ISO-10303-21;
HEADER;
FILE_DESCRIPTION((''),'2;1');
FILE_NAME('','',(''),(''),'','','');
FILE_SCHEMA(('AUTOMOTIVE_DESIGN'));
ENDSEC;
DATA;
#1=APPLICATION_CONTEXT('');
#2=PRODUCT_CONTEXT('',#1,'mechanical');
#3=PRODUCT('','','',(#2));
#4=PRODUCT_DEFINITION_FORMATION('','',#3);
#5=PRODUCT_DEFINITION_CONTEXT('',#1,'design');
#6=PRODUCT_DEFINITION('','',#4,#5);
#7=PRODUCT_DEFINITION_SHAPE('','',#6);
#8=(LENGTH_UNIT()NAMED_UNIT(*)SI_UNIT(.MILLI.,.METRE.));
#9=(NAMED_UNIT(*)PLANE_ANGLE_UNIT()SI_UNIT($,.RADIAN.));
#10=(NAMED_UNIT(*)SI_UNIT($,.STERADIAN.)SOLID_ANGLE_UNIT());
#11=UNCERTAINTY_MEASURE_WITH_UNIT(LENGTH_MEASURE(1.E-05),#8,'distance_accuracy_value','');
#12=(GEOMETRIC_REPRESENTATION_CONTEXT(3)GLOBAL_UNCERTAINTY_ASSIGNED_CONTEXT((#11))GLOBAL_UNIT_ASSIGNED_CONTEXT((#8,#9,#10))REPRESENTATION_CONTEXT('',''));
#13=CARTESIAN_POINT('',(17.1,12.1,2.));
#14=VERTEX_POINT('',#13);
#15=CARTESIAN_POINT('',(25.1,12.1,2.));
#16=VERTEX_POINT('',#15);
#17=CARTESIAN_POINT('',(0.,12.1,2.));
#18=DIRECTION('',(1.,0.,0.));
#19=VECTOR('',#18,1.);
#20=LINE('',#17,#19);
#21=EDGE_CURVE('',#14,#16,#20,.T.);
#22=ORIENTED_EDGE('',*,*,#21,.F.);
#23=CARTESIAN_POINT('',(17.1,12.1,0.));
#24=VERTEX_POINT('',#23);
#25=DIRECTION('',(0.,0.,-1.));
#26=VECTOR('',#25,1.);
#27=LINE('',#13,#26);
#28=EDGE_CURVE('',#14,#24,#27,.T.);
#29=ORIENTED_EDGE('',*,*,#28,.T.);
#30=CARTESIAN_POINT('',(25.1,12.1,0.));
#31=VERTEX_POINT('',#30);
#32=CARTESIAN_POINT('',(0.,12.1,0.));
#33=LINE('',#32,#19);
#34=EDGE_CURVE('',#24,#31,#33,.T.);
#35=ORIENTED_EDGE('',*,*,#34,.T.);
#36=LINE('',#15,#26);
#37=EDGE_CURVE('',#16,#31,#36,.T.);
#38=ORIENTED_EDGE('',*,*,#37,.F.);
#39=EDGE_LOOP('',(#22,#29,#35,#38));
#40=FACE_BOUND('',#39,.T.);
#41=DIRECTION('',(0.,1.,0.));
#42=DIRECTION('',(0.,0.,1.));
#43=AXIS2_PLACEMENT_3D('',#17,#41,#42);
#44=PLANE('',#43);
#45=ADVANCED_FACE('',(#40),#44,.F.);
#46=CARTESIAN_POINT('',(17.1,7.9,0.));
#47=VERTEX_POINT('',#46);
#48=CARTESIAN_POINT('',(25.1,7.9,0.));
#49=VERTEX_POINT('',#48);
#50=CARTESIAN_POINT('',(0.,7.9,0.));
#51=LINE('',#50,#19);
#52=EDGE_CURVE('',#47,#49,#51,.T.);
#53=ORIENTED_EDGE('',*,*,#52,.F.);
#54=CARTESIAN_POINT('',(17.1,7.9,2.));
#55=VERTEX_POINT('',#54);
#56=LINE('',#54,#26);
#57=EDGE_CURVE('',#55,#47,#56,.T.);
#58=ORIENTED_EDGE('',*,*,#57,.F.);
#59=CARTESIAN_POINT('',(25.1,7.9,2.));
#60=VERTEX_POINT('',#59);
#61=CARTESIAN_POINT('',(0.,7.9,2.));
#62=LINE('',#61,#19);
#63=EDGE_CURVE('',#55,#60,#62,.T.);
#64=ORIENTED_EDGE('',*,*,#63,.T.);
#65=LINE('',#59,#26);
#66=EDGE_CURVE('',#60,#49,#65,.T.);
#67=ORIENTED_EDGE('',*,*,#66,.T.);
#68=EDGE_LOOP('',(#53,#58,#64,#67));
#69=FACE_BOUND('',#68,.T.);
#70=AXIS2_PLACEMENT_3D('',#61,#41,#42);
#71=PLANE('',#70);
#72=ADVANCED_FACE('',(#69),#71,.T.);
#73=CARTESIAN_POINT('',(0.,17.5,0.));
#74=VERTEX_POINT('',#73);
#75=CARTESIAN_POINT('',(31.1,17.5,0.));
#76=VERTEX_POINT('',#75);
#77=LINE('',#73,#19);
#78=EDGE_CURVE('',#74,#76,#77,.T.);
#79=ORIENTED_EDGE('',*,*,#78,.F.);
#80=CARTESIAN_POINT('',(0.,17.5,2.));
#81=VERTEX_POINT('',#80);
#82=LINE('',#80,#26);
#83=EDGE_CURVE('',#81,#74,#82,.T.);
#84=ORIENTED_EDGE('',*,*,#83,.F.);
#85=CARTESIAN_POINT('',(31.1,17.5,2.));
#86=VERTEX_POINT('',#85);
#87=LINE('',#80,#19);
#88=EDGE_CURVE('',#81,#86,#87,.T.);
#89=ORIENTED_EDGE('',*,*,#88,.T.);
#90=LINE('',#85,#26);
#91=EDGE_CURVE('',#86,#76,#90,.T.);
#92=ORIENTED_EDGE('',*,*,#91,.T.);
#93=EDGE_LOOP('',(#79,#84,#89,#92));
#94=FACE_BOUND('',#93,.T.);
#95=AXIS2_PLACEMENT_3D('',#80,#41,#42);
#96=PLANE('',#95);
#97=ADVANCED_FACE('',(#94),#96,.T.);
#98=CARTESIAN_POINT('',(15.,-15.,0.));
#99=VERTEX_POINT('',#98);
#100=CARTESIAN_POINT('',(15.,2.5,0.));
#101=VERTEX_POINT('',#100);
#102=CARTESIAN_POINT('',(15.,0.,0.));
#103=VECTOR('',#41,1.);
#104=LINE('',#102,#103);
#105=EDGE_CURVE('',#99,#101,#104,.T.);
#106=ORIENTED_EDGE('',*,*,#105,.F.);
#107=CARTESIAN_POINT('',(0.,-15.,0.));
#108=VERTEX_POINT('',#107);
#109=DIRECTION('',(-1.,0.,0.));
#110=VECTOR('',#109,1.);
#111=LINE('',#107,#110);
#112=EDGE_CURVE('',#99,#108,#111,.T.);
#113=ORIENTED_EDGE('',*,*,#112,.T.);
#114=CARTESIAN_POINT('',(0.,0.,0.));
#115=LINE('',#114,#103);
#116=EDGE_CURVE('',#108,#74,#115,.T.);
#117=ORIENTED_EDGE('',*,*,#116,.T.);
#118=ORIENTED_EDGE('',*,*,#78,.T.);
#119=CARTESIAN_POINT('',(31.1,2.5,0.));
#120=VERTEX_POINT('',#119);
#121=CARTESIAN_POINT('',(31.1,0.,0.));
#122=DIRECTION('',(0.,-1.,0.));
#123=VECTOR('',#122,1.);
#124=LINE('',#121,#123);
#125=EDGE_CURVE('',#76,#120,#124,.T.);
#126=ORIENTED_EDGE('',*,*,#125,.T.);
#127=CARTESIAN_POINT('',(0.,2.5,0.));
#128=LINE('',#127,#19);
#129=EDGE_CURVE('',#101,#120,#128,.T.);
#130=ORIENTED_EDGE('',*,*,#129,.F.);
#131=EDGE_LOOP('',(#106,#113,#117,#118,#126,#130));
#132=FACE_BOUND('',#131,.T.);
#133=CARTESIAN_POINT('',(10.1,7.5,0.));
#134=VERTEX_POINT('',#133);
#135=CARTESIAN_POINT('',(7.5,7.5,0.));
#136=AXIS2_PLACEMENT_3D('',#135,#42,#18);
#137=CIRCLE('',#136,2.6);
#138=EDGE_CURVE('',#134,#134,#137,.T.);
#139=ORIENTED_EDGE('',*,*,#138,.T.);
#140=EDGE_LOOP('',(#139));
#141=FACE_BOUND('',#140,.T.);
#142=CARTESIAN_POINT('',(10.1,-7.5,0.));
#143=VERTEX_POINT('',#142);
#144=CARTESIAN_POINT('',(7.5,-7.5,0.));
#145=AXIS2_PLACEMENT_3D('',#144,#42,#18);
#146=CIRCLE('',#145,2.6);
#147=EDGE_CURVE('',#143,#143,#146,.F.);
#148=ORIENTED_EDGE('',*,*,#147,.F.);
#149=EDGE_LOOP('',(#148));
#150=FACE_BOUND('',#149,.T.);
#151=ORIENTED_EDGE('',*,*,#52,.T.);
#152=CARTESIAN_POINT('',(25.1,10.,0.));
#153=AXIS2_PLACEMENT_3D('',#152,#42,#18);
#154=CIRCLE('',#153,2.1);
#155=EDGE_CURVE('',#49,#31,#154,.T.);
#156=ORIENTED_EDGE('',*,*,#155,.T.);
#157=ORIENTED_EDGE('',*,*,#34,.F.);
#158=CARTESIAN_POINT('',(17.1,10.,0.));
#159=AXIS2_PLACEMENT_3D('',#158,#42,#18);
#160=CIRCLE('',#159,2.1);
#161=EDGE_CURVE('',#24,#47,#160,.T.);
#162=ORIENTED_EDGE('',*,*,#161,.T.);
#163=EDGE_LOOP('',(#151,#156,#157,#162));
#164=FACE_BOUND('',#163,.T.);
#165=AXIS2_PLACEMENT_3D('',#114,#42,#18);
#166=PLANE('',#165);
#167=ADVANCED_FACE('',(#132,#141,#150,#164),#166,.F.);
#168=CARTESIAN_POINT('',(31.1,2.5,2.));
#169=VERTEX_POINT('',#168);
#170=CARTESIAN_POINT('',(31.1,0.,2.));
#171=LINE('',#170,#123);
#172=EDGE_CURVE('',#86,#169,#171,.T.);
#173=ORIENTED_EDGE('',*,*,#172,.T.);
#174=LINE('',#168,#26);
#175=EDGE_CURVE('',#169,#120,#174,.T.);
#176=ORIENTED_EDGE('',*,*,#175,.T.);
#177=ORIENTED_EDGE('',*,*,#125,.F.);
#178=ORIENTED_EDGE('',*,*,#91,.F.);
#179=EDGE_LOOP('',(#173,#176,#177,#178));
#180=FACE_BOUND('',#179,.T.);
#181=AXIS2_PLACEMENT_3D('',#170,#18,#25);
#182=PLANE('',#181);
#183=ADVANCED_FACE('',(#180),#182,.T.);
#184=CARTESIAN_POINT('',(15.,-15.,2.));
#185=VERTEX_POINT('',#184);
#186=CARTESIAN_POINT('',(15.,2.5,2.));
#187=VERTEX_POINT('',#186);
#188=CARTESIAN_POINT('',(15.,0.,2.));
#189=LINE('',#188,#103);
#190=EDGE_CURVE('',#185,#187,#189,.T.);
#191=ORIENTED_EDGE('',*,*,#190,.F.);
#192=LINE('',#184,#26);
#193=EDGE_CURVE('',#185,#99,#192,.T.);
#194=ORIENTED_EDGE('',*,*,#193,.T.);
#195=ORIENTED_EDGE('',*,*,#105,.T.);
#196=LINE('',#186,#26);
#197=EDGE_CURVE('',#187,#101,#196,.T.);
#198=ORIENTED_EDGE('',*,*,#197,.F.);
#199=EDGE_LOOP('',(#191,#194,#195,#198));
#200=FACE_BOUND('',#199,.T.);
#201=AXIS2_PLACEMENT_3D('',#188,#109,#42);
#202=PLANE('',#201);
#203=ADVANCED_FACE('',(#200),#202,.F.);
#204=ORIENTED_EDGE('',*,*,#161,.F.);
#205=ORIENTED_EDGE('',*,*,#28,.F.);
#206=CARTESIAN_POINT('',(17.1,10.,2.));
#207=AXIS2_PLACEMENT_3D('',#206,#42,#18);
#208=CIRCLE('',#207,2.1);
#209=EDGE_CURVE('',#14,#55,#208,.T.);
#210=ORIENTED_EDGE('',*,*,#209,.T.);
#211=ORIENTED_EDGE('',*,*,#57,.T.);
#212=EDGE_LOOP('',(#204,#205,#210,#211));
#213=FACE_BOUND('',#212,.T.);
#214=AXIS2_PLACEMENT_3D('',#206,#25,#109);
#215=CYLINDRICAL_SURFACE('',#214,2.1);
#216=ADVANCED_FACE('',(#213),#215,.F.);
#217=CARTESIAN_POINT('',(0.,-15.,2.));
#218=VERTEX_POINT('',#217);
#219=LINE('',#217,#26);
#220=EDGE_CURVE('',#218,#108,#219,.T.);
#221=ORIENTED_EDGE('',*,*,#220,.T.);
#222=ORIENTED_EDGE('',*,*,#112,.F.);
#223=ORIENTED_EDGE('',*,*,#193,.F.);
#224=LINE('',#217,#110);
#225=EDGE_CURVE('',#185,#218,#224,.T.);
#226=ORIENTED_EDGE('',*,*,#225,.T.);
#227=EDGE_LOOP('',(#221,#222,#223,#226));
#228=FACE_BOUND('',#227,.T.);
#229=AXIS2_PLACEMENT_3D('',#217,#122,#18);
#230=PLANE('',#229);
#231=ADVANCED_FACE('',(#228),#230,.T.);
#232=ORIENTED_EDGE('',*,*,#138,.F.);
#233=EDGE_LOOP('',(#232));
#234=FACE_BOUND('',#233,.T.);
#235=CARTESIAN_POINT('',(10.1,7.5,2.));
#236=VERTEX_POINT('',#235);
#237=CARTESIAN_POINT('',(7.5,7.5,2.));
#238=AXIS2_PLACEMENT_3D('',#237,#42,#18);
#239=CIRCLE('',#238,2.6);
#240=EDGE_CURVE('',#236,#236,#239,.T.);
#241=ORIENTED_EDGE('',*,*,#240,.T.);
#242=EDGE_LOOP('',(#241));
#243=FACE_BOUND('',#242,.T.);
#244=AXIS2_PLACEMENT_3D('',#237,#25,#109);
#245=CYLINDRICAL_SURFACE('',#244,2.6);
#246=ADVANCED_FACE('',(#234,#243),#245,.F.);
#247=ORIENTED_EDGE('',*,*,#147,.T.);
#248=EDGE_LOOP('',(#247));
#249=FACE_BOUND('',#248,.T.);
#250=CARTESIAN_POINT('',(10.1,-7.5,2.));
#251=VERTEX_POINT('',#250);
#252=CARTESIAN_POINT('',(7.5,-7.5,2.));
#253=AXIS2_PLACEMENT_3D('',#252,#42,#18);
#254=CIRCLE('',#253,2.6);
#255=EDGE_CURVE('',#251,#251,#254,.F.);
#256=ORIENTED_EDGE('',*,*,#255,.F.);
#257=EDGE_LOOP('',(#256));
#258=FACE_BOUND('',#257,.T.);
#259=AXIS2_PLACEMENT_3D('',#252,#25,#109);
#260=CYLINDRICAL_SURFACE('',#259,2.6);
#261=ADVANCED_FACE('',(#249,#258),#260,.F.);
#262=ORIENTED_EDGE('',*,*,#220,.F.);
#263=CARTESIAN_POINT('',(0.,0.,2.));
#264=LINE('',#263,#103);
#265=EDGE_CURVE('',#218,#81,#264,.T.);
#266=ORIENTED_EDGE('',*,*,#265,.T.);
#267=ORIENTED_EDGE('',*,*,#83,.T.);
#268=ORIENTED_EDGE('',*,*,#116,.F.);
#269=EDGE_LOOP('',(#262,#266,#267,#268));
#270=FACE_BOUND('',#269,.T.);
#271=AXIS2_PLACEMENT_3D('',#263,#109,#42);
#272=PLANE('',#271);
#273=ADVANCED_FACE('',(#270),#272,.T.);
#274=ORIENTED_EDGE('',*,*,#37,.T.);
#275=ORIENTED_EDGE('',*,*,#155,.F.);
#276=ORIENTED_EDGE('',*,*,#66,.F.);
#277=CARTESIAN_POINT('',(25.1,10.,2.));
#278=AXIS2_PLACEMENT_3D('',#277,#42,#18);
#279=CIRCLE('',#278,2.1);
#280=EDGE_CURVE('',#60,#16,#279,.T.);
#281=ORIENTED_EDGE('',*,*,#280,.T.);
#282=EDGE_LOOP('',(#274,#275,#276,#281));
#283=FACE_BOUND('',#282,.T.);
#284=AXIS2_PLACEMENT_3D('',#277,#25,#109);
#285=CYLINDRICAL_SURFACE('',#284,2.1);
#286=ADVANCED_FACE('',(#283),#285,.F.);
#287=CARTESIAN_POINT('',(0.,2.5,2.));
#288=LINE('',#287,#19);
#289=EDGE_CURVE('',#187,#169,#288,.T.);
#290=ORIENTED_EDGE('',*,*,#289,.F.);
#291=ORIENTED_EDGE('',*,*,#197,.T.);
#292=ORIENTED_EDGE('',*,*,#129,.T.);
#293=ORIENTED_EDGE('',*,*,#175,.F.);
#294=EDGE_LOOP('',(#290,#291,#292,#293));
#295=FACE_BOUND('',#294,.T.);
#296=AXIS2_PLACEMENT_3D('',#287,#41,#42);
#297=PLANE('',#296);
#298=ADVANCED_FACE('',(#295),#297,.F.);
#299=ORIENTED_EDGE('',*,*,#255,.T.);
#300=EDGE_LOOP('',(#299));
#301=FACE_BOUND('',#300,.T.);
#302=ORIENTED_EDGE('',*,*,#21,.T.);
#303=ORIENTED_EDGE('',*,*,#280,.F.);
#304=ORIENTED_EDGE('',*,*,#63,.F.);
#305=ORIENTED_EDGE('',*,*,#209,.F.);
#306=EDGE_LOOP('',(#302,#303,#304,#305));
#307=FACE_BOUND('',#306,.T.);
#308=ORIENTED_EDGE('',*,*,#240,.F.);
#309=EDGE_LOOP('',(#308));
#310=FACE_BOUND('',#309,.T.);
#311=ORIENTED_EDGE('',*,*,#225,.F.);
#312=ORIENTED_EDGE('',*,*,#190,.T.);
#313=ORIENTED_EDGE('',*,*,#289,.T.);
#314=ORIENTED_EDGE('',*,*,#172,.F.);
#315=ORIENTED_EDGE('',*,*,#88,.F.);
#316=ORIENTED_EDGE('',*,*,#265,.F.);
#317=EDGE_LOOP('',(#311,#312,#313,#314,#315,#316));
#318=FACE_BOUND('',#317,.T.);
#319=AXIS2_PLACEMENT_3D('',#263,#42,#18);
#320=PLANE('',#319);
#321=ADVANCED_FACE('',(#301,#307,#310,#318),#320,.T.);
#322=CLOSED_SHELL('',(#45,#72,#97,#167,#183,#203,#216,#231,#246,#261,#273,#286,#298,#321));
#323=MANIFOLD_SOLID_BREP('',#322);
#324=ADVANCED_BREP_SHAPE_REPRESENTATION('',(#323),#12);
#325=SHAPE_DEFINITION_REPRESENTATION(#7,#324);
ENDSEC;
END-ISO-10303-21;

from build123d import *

# Parameters (mm, degrees)
SKETCH_1_R      = 2.6
SKETCH_1_W      = 15
SKETCH_1_H      = 15
EXTRUDE_1_DEPTH = 2


with BuildPart() as part:
    # 草图1 → 凸台-拉伸1 (new body)
    # profile 1 of 2: a face of its own
    with BuildSketch(Plane.XY):
        Polygon((0, 17.5), (0, 0), (15, 0), (15, 2.5), (31.1, 2.5), (31.1, 17.5), align=None)
        with Locations((7.5, 7.5)):
            Circle(SKETCH_1_R, mode=Mode.SUBTRACT)
        with BuildLine():
            ThreePointArc((17.1, 7.9), (15, 10), (17.1, 12.1))
            Line((17.1, 12.1), (25.1, 12.1))
            ThreePointArc((25.1, 12.1), (27.2, 10), (25.1, 7.9))
            Line((25.1, 7.9), (17.1, 7.9))
        make_face(mode=Mode.SUBTRACT)
    # profile 2 of 2: a face of its own
    with BuildSketch(Plane.XY):
        with Locations((7.5, -7.5)):
            Rectangle(SKETCH_1_W, SKETCH_1_H)
        with Locations((7.5, -7.5)):
            Circle(SKETCH_1_R, mode=Mode.SUBTRACT)
    extrude(amount=EXTRUDE_1_DEPTH)


solid = part.part
